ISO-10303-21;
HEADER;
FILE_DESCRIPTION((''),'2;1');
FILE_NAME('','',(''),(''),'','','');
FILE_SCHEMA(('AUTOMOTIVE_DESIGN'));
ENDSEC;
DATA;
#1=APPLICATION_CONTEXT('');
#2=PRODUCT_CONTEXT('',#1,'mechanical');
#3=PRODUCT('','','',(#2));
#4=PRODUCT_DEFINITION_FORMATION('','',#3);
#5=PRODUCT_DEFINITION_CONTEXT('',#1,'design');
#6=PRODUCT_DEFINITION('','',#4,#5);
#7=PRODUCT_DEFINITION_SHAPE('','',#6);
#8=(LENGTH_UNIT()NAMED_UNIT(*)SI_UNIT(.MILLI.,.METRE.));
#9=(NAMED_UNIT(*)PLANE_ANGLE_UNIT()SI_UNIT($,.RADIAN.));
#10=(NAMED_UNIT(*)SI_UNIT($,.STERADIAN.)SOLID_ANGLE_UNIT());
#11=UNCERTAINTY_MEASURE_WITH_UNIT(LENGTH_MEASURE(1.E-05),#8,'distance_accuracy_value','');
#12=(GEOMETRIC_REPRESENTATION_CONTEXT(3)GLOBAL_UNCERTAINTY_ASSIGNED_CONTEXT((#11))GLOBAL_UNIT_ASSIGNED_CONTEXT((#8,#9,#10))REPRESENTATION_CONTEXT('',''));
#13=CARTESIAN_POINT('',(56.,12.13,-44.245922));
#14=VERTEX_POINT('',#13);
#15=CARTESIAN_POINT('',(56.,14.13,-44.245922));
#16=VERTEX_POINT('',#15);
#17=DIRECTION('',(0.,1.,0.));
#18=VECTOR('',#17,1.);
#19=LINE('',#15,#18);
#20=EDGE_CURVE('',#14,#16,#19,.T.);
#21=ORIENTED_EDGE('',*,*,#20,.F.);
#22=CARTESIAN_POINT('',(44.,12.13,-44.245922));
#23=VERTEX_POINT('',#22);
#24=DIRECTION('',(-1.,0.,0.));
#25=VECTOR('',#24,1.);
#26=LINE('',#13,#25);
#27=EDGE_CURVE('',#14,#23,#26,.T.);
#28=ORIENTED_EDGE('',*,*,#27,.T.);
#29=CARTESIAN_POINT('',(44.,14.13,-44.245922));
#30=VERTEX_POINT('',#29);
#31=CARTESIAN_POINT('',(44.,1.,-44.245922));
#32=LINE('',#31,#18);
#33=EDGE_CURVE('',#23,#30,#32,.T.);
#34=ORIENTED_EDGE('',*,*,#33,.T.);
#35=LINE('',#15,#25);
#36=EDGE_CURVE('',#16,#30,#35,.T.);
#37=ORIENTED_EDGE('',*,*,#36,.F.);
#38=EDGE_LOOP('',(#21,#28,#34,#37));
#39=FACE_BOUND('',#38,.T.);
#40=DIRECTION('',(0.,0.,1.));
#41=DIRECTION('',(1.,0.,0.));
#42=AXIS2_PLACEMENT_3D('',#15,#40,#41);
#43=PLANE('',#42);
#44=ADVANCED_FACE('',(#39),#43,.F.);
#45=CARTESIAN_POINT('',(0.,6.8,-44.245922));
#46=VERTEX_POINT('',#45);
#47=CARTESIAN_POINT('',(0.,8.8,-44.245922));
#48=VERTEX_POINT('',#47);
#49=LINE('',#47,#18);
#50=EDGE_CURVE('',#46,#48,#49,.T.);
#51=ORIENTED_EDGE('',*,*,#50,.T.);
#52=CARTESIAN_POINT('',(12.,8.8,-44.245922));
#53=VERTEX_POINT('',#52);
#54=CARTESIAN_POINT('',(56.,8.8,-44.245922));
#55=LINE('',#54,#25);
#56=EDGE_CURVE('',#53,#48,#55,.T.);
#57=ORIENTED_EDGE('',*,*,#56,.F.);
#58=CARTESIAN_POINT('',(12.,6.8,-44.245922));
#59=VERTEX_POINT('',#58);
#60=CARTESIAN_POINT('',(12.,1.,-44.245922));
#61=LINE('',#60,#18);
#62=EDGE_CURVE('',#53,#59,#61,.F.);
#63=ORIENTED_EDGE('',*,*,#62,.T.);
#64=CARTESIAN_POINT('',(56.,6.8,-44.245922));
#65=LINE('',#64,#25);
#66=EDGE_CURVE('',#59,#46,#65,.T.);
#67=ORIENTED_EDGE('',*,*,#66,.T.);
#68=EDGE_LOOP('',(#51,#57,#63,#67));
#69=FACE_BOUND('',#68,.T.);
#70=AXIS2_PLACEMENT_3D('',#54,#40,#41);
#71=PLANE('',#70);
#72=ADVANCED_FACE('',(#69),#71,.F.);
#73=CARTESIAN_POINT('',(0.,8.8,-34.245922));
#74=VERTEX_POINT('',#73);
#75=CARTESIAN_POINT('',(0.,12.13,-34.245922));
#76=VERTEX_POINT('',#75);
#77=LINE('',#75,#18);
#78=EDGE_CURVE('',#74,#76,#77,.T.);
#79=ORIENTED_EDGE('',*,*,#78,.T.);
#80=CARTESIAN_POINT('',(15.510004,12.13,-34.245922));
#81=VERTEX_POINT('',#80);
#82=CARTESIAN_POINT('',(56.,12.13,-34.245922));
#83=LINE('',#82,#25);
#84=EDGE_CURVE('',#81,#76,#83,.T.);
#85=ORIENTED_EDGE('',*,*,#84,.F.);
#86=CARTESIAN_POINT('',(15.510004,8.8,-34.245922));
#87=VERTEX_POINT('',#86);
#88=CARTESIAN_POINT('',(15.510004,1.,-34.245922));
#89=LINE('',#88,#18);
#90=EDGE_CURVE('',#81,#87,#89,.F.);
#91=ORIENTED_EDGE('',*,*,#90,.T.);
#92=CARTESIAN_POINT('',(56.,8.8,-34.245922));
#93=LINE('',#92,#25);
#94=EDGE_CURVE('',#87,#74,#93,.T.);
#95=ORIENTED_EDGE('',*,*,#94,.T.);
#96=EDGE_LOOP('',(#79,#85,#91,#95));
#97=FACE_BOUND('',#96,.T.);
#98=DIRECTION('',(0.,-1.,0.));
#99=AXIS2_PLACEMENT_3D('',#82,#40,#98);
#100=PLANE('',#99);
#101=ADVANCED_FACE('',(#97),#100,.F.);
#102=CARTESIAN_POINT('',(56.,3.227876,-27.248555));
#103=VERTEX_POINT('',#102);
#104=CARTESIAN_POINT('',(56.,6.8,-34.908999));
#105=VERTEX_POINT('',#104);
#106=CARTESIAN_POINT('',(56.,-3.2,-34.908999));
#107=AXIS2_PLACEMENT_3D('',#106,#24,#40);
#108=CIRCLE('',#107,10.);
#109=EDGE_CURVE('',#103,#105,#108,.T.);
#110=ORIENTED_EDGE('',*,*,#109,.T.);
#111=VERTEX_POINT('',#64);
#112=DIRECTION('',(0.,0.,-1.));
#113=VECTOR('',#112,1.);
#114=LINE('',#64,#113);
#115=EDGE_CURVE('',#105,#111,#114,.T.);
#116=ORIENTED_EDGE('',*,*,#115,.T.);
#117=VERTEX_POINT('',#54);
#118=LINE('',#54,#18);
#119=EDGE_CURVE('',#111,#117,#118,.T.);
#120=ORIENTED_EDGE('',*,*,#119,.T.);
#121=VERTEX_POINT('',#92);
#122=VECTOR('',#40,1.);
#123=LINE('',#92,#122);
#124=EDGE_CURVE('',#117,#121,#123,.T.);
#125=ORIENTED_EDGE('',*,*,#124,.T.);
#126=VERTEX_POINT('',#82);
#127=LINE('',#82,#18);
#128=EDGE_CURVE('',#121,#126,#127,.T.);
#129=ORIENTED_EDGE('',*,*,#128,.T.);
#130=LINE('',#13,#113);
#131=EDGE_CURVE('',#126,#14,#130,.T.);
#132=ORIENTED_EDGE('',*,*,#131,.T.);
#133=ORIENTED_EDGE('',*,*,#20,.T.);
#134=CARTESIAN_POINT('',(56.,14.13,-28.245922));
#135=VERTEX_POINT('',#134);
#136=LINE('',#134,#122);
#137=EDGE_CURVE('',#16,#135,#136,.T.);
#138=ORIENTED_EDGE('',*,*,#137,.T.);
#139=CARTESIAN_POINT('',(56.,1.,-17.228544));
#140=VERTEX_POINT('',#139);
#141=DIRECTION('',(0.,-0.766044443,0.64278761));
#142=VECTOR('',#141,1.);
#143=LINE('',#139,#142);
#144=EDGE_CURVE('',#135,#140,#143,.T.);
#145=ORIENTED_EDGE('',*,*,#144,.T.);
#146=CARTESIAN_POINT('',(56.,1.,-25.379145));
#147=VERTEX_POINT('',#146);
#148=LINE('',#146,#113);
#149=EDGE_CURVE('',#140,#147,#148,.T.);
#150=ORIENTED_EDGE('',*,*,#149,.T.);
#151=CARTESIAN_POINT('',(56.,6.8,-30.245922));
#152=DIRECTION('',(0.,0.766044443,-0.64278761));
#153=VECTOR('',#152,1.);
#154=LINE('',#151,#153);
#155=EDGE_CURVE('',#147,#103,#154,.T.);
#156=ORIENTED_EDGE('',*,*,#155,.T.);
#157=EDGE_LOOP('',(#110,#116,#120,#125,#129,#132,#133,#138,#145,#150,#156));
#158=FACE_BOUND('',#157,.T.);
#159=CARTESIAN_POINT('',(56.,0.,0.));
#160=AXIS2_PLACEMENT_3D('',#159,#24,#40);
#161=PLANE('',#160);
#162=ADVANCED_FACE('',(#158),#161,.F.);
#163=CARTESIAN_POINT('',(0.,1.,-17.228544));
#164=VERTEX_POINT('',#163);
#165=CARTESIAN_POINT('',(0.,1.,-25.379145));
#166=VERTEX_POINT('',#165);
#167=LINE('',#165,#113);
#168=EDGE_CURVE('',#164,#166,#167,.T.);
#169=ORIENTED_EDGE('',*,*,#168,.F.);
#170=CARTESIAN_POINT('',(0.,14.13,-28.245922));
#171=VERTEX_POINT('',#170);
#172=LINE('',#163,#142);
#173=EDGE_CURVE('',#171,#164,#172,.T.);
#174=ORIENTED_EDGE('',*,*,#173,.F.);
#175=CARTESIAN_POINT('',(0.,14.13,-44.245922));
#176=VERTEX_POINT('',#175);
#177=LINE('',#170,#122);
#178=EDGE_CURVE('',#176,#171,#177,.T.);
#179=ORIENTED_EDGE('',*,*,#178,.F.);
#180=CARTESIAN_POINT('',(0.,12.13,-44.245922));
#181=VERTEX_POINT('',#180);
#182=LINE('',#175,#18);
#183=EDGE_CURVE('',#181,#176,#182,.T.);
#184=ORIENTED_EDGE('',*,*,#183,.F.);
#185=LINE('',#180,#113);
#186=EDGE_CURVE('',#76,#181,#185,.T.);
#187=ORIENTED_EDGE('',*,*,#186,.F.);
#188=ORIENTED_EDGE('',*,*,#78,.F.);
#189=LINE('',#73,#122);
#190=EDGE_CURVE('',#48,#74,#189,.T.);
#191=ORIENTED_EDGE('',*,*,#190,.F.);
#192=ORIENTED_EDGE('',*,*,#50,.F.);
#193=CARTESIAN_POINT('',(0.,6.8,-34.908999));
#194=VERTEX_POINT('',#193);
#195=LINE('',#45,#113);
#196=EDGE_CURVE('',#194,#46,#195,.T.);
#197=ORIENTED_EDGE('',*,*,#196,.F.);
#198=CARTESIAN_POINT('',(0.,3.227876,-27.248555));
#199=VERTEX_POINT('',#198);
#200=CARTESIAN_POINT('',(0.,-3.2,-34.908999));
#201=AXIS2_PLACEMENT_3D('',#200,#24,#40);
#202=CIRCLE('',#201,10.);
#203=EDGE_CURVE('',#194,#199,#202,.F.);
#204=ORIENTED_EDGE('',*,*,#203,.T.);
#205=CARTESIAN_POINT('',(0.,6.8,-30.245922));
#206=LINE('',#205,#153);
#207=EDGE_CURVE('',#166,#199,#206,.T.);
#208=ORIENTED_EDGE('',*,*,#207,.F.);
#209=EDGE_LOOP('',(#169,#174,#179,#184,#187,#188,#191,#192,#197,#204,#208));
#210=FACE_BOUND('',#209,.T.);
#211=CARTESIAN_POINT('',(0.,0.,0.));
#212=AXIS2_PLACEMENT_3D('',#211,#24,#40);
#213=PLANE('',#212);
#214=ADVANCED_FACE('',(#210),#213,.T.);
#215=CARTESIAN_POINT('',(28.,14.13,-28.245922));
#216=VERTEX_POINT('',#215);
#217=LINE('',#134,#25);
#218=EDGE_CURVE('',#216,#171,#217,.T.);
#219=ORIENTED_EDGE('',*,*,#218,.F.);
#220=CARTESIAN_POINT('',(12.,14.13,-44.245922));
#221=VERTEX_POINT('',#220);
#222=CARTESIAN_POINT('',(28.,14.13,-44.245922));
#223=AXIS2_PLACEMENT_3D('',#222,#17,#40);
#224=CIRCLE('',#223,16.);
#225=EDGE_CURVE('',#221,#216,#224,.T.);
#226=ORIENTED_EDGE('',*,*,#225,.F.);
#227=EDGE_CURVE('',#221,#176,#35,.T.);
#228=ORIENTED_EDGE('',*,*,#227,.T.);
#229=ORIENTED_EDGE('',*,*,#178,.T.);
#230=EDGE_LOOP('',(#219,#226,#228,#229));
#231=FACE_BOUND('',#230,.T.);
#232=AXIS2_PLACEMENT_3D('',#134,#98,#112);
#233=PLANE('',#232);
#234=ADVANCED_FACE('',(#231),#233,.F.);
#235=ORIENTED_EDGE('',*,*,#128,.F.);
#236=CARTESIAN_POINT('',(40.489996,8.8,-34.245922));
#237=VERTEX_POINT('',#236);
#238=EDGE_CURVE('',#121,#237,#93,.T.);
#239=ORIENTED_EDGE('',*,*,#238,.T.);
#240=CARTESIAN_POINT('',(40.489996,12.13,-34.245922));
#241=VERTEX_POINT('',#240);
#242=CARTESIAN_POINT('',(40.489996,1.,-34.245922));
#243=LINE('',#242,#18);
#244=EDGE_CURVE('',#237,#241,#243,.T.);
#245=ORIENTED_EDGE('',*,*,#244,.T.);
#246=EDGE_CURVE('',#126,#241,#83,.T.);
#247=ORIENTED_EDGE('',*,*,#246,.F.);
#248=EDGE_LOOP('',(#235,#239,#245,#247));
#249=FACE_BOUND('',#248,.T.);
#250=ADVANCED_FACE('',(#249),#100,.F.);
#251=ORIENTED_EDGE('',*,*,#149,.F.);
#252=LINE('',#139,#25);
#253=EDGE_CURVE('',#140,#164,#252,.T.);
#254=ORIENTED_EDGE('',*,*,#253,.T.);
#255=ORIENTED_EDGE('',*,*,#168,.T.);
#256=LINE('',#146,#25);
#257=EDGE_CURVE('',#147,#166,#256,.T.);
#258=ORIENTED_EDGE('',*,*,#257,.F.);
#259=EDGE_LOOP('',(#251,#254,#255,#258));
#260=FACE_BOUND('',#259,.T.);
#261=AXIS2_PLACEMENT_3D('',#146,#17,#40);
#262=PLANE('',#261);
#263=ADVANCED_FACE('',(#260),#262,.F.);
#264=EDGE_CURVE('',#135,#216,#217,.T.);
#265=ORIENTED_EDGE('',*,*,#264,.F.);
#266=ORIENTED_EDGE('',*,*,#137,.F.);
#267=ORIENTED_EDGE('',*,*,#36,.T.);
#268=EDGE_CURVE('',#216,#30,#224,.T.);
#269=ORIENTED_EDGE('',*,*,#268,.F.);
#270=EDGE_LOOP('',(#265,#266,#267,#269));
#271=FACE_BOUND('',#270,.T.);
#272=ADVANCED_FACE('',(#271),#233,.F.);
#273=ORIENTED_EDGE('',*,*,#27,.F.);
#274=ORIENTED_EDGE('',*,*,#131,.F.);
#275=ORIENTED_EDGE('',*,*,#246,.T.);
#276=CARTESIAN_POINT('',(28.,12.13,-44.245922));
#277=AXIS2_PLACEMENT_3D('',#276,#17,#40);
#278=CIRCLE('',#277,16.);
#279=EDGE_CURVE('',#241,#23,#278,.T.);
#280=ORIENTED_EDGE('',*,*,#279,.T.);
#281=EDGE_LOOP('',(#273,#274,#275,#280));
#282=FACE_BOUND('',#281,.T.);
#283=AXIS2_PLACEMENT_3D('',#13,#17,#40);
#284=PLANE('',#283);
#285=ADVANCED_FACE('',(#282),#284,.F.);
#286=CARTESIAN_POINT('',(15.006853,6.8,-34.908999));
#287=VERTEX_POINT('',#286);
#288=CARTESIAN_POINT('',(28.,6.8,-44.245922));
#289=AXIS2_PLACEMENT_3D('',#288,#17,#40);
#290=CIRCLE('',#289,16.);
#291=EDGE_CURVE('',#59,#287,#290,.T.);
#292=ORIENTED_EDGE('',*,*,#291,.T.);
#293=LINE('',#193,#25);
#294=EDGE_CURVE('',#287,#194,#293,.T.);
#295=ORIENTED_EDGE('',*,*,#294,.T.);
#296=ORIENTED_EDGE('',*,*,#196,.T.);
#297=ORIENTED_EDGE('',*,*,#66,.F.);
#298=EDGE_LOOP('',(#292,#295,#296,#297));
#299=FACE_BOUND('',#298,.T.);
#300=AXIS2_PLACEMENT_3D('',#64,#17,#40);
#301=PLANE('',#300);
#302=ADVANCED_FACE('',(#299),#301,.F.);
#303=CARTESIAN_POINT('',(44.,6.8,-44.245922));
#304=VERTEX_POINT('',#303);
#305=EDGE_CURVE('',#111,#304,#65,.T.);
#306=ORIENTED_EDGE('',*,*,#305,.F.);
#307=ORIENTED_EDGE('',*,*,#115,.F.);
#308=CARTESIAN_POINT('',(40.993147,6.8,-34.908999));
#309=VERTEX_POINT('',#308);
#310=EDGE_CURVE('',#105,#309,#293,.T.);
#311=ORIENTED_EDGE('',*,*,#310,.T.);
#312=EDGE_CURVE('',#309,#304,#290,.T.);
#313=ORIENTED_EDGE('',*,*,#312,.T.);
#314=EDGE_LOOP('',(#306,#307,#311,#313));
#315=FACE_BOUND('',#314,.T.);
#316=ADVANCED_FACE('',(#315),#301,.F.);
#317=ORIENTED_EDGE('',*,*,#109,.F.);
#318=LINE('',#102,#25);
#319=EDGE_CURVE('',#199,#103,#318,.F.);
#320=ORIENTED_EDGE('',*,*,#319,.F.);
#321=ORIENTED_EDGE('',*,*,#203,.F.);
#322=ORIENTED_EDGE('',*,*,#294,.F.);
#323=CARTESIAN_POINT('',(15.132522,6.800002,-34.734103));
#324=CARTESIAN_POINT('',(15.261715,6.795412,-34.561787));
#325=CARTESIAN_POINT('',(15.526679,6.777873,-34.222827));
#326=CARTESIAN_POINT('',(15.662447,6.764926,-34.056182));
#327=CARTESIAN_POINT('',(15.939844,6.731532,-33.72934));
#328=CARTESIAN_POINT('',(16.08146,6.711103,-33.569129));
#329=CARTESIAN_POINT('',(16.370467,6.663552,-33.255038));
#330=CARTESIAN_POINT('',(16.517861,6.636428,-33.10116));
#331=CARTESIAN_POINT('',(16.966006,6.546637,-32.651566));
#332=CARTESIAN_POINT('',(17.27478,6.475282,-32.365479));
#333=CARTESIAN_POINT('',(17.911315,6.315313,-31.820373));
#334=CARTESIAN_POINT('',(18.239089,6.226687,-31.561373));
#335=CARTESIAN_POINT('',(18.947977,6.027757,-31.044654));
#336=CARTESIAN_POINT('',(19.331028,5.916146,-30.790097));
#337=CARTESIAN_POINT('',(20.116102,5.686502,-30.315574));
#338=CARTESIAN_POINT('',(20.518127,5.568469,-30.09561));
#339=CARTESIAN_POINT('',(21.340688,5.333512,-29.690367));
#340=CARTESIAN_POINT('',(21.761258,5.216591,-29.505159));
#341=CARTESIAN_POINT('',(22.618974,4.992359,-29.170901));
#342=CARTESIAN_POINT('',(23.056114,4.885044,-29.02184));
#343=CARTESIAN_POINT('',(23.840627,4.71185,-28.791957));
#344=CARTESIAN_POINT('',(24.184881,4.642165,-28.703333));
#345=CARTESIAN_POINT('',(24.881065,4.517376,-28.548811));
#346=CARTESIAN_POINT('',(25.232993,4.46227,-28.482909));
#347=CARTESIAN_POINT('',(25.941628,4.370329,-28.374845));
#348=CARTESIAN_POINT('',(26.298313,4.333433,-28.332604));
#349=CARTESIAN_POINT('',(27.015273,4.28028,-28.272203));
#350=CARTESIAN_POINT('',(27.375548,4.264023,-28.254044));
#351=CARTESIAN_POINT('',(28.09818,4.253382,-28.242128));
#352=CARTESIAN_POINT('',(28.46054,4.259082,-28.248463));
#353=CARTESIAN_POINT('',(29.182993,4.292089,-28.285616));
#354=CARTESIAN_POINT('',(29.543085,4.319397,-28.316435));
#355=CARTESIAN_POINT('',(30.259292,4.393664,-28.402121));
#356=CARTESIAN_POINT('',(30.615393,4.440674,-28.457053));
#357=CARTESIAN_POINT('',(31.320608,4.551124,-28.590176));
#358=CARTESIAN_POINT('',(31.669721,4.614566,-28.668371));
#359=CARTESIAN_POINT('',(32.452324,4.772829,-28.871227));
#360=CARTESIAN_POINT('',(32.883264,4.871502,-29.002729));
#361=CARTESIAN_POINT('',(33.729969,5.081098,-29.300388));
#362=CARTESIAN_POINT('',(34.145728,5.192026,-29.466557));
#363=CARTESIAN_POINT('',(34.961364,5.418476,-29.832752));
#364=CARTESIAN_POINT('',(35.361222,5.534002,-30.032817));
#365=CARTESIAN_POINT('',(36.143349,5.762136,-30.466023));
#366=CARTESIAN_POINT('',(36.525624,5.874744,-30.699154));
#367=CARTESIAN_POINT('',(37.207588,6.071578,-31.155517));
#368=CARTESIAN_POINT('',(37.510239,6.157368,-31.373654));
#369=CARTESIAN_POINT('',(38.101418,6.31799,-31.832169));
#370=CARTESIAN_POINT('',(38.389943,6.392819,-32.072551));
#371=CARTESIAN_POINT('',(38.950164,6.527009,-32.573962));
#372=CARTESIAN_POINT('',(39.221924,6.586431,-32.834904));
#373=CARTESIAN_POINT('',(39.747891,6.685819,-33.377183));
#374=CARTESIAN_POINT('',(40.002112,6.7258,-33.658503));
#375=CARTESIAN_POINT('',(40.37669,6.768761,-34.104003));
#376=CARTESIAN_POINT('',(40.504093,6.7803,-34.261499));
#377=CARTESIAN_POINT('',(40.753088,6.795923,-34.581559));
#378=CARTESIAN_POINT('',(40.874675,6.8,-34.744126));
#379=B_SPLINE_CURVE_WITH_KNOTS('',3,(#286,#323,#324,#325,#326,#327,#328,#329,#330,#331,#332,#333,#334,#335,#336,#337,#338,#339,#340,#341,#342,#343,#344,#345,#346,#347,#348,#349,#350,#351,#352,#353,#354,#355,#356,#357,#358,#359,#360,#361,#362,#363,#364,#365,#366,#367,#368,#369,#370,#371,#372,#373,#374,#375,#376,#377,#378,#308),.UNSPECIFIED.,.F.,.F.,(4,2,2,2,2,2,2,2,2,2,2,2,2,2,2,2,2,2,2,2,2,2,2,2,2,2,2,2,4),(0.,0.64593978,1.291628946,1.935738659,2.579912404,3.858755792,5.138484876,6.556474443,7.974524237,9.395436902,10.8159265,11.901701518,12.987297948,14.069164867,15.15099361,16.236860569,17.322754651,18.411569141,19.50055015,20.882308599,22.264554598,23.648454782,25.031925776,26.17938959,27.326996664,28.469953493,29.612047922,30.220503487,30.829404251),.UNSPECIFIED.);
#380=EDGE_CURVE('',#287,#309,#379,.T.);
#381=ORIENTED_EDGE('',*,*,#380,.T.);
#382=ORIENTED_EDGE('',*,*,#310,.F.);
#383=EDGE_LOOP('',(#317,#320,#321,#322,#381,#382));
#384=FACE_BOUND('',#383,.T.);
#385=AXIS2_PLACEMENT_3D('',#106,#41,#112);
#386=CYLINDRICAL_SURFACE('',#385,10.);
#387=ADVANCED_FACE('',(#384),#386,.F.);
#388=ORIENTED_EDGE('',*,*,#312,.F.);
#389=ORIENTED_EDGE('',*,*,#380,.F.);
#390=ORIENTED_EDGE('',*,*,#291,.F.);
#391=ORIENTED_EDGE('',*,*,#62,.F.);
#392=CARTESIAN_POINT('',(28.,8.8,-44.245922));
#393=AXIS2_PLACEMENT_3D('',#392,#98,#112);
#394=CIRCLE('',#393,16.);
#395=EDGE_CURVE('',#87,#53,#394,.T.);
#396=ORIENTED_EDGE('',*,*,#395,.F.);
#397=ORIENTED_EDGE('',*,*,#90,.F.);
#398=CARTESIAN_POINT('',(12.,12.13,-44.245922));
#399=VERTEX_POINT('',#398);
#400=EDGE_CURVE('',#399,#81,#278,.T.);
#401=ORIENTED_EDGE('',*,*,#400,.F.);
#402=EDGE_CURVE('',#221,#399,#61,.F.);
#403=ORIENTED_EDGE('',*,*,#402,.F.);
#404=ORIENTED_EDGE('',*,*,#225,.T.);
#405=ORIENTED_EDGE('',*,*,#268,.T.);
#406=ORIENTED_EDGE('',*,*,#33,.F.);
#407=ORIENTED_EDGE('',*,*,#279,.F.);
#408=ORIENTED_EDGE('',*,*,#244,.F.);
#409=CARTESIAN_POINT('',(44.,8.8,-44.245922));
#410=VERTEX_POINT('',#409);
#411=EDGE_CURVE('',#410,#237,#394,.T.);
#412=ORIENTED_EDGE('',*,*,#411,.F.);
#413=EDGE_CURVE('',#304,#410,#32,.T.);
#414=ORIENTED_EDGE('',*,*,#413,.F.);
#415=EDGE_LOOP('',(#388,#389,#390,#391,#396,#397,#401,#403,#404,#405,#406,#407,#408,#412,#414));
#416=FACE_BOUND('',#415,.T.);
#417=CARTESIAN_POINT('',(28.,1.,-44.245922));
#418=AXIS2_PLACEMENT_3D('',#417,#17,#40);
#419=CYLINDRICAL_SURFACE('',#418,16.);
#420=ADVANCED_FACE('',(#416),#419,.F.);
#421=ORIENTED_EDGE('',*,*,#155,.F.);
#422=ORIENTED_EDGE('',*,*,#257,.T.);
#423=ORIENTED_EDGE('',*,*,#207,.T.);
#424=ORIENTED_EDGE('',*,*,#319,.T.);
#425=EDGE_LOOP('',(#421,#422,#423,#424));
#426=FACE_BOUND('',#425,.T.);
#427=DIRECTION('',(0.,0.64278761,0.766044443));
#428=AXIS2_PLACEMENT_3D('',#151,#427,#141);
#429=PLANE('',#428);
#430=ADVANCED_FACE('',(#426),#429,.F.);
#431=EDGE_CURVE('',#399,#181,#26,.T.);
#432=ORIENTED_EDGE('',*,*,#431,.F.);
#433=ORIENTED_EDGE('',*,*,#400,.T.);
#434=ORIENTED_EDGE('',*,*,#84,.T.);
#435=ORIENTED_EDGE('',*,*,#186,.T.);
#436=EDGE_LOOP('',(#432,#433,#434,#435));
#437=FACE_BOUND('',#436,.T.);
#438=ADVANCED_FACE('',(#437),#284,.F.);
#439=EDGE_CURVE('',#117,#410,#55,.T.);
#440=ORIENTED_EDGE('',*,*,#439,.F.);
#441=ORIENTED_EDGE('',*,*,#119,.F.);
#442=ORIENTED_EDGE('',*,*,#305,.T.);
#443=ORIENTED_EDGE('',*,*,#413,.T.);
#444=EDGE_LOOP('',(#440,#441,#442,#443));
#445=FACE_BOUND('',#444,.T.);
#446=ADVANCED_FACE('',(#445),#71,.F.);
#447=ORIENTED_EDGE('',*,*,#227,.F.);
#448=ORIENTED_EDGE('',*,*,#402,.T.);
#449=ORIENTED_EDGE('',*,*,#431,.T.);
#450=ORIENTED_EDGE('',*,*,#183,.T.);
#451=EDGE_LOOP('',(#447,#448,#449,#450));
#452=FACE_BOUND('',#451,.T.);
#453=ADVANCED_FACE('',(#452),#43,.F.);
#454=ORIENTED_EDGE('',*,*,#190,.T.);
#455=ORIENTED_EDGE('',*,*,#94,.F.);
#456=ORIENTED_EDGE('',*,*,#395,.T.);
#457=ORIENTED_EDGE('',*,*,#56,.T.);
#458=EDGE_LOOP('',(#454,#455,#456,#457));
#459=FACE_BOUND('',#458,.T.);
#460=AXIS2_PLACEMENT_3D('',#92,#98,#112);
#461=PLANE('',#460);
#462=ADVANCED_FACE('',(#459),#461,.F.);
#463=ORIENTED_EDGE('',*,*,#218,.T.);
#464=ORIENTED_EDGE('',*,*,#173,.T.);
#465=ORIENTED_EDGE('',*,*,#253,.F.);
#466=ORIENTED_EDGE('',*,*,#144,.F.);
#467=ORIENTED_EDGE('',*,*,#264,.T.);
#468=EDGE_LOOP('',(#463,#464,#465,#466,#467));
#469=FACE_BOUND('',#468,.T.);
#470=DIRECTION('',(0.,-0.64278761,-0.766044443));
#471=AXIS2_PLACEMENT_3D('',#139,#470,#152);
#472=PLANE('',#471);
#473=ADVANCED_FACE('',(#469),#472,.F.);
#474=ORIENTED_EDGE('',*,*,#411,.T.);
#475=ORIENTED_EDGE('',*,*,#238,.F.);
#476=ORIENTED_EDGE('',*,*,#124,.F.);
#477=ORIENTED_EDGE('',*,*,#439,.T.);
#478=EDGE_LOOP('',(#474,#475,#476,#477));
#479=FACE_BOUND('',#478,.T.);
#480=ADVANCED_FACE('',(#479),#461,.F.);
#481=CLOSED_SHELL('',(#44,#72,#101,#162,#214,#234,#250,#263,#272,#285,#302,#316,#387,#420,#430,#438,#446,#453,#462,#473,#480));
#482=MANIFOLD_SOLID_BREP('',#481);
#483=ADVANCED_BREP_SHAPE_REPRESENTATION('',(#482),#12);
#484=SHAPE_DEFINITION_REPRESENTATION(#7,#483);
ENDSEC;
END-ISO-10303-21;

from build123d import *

# Parameters (mm, degrees)
BOSS_EXTRUDE1_DEPTH = 56
FILLET1_R           = 10
SKETCH15_R          = 16
CUT_EXTRUDE1_DEPTH  = 73.567889266


with BuildPart() as part:
    # Sketch1 → Boss-Extrude1 (new body)
    with BuildSketch(Plane(origin=(0, 0, 0), x_dir=(0, 0, -1), z_dir=(1, 0, 0))):
        Polygon((44.245922439, 12.13), (34.245922439, 12.13), (34.245922439, 8.8), (44.245922439, 8.8), (44.245922439, 6.8), (30.245922439, 6.8), (25.379144578, 1), (17.228544282, 1), (28.245922439, 14.13), (44.245922439, 14.13), align=None)
    extrude(amount=BOSS_EXTRUDE1_DEPTH)

    # Fillet1
    fillet1_edges = [part.edges().sort_by_distance(p)[0] for p in [
        (28, 6.8, -30.245922439),
    ]]
    fillet(fillet1_edges, radius=FILLET1_R)

    # Sketch15 → Cut-Extrude1 (cut, through all)
    with BuildSketch(Plane(origin=(0, 14.13, 0), x_dir=(1, 0, 0), z_dir=(0, 1, 0))):
        with Locations((28, 44.245922439)):
            Circle(SKETCH15_R)
    extrude(amount=-CUT_EXTRUDE1_DEPTH, mode=Mode.SUBTRACT)


solid = part.part
